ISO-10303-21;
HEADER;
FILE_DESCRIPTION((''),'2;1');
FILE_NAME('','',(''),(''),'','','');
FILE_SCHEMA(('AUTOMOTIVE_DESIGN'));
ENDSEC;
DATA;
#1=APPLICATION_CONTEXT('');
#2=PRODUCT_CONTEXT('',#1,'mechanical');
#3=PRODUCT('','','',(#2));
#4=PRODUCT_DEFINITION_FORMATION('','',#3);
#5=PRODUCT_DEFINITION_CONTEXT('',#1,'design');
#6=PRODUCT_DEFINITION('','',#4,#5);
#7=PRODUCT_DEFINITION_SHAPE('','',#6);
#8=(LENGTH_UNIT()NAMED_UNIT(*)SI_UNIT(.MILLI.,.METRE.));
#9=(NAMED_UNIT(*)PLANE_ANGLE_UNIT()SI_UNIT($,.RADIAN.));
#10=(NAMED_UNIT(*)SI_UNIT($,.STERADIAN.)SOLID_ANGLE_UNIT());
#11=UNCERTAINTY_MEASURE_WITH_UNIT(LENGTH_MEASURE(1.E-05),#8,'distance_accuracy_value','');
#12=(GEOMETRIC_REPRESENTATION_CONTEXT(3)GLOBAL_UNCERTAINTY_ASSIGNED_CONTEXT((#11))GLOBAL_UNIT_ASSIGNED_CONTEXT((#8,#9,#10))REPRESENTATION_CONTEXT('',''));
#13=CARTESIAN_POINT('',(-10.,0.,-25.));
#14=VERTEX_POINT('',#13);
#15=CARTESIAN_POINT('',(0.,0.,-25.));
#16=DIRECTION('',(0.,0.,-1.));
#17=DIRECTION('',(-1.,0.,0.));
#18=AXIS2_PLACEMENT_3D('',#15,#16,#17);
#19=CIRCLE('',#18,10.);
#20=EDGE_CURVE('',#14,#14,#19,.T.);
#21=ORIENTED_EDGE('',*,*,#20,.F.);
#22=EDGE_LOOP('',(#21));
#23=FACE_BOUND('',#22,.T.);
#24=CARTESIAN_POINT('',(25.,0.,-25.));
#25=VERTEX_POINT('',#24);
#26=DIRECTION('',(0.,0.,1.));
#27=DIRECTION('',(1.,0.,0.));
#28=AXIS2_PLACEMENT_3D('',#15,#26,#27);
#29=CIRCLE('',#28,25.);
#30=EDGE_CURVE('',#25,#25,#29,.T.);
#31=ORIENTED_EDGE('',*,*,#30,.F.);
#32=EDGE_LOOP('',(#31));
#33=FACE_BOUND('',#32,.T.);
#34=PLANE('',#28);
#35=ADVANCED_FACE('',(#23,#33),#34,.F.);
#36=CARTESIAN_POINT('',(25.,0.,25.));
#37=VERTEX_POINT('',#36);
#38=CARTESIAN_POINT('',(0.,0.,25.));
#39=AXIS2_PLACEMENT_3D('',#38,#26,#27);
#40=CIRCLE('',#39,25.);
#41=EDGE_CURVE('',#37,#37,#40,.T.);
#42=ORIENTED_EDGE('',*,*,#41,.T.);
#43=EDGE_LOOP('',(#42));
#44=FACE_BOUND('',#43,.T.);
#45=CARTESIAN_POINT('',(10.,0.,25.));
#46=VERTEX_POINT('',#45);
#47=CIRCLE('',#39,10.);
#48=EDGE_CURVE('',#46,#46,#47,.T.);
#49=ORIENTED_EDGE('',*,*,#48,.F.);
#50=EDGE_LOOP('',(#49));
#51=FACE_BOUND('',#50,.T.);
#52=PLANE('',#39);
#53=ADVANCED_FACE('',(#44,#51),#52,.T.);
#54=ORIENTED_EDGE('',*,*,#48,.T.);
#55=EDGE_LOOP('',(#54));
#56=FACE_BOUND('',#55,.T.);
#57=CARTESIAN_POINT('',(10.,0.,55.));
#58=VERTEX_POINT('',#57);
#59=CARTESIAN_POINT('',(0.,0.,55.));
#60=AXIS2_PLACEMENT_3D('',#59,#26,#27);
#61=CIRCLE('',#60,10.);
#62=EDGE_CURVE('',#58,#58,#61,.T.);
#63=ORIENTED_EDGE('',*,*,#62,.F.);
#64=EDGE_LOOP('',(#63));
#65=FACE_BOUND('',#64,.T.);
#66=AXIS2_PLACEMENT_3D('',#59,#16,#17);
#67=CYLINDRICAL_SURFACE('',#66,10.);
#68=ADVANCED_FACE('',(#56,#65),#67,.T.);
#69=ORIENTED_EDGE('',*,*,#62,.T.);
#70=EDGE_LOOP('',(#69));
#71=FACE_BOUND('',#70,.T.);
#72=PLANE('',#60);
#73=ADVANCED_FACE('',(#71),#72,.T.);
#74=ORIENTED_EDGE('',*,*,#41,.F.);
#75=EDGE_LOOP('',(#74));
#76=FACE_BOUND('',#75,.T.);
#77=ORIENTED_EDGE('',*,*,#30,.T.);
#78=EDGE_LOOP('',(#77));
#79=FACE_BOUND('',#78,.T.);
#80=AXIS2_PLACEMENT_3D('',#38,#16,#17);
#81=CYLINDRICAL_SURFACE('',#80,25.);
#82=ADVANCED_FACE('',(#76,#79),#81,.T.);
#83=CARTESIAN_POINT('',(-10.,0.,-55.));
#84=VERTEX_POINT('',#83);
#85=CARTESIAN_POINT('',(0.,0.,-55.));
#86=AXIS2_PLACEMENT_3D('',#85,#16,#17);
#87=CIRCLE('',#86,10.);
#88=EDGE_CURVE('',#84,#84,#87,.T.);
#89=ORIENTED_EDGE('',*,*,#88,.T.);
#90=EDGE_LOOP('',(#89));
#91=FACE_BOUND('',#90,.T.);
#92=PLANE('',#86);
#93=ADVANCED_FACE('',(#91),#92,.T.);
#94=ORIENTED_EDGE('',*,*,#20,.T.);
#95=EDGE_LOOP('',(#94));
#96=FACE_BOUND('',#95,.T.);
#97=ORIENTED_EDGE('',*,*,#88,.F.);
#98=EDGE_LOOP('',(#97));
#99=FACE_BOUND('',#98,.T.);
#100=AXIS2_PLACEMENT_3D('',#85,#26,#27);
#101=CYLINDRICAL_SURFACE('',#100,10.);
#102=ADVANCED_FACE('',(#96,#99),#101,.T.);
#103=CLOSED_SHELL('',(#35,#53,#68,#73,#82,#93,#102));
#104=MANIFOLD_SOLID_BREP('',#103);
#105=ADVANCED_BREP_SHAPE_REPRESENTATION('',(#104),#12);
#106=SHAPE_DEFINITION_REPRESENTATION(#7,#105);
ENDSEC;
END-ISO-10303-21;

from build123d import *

# Parameters (mm, degrees)
SKETCH1_R           = 25
BOSS_EXTRUDE1_DEPTH = 25
SKETCH2_R           = 10
BOSS_EXTRUDE2_DEPTH = 30
BOSS_EXTRUDE3_START = 30
SKETCH3_R           = 10
BOSS_EXTRUDE3_DEPTH = 30


with BuildPart() as part:
    # Sketch1 → Boss-Extrude1 (new, symmetric)
    with BuildSketch(Plane.XY):
        Circle(SKETCH1_R)
    extrude(amount=BOSS_EXTRUDE1_DEPTH, both=True)

    # Sketch2 → Boss-Extrude2 (add)
    with BuildSketch(Plane(origin=(0, 0, -25), x_dir=(-1, 0, 0), z_dir=(0, 0, -1))):
        Circle(SKETCH2_R)
    extrude(amount=BOSS_EXTRUDE2_DEPTH)

    # Sketch3 → Boss-Extrude3 (add)
    with BuildSketch(Plane.XY.offset(25).offset(BOSS_EXTRUDE3_START)):
        with Locations(Location((0, 0, 0), (0, 0, 180))):
            Circle(SKETCH3_R)
    extrude(amount=-BOSS_EXTRUDE3_DEPTH)


solid = part.part
